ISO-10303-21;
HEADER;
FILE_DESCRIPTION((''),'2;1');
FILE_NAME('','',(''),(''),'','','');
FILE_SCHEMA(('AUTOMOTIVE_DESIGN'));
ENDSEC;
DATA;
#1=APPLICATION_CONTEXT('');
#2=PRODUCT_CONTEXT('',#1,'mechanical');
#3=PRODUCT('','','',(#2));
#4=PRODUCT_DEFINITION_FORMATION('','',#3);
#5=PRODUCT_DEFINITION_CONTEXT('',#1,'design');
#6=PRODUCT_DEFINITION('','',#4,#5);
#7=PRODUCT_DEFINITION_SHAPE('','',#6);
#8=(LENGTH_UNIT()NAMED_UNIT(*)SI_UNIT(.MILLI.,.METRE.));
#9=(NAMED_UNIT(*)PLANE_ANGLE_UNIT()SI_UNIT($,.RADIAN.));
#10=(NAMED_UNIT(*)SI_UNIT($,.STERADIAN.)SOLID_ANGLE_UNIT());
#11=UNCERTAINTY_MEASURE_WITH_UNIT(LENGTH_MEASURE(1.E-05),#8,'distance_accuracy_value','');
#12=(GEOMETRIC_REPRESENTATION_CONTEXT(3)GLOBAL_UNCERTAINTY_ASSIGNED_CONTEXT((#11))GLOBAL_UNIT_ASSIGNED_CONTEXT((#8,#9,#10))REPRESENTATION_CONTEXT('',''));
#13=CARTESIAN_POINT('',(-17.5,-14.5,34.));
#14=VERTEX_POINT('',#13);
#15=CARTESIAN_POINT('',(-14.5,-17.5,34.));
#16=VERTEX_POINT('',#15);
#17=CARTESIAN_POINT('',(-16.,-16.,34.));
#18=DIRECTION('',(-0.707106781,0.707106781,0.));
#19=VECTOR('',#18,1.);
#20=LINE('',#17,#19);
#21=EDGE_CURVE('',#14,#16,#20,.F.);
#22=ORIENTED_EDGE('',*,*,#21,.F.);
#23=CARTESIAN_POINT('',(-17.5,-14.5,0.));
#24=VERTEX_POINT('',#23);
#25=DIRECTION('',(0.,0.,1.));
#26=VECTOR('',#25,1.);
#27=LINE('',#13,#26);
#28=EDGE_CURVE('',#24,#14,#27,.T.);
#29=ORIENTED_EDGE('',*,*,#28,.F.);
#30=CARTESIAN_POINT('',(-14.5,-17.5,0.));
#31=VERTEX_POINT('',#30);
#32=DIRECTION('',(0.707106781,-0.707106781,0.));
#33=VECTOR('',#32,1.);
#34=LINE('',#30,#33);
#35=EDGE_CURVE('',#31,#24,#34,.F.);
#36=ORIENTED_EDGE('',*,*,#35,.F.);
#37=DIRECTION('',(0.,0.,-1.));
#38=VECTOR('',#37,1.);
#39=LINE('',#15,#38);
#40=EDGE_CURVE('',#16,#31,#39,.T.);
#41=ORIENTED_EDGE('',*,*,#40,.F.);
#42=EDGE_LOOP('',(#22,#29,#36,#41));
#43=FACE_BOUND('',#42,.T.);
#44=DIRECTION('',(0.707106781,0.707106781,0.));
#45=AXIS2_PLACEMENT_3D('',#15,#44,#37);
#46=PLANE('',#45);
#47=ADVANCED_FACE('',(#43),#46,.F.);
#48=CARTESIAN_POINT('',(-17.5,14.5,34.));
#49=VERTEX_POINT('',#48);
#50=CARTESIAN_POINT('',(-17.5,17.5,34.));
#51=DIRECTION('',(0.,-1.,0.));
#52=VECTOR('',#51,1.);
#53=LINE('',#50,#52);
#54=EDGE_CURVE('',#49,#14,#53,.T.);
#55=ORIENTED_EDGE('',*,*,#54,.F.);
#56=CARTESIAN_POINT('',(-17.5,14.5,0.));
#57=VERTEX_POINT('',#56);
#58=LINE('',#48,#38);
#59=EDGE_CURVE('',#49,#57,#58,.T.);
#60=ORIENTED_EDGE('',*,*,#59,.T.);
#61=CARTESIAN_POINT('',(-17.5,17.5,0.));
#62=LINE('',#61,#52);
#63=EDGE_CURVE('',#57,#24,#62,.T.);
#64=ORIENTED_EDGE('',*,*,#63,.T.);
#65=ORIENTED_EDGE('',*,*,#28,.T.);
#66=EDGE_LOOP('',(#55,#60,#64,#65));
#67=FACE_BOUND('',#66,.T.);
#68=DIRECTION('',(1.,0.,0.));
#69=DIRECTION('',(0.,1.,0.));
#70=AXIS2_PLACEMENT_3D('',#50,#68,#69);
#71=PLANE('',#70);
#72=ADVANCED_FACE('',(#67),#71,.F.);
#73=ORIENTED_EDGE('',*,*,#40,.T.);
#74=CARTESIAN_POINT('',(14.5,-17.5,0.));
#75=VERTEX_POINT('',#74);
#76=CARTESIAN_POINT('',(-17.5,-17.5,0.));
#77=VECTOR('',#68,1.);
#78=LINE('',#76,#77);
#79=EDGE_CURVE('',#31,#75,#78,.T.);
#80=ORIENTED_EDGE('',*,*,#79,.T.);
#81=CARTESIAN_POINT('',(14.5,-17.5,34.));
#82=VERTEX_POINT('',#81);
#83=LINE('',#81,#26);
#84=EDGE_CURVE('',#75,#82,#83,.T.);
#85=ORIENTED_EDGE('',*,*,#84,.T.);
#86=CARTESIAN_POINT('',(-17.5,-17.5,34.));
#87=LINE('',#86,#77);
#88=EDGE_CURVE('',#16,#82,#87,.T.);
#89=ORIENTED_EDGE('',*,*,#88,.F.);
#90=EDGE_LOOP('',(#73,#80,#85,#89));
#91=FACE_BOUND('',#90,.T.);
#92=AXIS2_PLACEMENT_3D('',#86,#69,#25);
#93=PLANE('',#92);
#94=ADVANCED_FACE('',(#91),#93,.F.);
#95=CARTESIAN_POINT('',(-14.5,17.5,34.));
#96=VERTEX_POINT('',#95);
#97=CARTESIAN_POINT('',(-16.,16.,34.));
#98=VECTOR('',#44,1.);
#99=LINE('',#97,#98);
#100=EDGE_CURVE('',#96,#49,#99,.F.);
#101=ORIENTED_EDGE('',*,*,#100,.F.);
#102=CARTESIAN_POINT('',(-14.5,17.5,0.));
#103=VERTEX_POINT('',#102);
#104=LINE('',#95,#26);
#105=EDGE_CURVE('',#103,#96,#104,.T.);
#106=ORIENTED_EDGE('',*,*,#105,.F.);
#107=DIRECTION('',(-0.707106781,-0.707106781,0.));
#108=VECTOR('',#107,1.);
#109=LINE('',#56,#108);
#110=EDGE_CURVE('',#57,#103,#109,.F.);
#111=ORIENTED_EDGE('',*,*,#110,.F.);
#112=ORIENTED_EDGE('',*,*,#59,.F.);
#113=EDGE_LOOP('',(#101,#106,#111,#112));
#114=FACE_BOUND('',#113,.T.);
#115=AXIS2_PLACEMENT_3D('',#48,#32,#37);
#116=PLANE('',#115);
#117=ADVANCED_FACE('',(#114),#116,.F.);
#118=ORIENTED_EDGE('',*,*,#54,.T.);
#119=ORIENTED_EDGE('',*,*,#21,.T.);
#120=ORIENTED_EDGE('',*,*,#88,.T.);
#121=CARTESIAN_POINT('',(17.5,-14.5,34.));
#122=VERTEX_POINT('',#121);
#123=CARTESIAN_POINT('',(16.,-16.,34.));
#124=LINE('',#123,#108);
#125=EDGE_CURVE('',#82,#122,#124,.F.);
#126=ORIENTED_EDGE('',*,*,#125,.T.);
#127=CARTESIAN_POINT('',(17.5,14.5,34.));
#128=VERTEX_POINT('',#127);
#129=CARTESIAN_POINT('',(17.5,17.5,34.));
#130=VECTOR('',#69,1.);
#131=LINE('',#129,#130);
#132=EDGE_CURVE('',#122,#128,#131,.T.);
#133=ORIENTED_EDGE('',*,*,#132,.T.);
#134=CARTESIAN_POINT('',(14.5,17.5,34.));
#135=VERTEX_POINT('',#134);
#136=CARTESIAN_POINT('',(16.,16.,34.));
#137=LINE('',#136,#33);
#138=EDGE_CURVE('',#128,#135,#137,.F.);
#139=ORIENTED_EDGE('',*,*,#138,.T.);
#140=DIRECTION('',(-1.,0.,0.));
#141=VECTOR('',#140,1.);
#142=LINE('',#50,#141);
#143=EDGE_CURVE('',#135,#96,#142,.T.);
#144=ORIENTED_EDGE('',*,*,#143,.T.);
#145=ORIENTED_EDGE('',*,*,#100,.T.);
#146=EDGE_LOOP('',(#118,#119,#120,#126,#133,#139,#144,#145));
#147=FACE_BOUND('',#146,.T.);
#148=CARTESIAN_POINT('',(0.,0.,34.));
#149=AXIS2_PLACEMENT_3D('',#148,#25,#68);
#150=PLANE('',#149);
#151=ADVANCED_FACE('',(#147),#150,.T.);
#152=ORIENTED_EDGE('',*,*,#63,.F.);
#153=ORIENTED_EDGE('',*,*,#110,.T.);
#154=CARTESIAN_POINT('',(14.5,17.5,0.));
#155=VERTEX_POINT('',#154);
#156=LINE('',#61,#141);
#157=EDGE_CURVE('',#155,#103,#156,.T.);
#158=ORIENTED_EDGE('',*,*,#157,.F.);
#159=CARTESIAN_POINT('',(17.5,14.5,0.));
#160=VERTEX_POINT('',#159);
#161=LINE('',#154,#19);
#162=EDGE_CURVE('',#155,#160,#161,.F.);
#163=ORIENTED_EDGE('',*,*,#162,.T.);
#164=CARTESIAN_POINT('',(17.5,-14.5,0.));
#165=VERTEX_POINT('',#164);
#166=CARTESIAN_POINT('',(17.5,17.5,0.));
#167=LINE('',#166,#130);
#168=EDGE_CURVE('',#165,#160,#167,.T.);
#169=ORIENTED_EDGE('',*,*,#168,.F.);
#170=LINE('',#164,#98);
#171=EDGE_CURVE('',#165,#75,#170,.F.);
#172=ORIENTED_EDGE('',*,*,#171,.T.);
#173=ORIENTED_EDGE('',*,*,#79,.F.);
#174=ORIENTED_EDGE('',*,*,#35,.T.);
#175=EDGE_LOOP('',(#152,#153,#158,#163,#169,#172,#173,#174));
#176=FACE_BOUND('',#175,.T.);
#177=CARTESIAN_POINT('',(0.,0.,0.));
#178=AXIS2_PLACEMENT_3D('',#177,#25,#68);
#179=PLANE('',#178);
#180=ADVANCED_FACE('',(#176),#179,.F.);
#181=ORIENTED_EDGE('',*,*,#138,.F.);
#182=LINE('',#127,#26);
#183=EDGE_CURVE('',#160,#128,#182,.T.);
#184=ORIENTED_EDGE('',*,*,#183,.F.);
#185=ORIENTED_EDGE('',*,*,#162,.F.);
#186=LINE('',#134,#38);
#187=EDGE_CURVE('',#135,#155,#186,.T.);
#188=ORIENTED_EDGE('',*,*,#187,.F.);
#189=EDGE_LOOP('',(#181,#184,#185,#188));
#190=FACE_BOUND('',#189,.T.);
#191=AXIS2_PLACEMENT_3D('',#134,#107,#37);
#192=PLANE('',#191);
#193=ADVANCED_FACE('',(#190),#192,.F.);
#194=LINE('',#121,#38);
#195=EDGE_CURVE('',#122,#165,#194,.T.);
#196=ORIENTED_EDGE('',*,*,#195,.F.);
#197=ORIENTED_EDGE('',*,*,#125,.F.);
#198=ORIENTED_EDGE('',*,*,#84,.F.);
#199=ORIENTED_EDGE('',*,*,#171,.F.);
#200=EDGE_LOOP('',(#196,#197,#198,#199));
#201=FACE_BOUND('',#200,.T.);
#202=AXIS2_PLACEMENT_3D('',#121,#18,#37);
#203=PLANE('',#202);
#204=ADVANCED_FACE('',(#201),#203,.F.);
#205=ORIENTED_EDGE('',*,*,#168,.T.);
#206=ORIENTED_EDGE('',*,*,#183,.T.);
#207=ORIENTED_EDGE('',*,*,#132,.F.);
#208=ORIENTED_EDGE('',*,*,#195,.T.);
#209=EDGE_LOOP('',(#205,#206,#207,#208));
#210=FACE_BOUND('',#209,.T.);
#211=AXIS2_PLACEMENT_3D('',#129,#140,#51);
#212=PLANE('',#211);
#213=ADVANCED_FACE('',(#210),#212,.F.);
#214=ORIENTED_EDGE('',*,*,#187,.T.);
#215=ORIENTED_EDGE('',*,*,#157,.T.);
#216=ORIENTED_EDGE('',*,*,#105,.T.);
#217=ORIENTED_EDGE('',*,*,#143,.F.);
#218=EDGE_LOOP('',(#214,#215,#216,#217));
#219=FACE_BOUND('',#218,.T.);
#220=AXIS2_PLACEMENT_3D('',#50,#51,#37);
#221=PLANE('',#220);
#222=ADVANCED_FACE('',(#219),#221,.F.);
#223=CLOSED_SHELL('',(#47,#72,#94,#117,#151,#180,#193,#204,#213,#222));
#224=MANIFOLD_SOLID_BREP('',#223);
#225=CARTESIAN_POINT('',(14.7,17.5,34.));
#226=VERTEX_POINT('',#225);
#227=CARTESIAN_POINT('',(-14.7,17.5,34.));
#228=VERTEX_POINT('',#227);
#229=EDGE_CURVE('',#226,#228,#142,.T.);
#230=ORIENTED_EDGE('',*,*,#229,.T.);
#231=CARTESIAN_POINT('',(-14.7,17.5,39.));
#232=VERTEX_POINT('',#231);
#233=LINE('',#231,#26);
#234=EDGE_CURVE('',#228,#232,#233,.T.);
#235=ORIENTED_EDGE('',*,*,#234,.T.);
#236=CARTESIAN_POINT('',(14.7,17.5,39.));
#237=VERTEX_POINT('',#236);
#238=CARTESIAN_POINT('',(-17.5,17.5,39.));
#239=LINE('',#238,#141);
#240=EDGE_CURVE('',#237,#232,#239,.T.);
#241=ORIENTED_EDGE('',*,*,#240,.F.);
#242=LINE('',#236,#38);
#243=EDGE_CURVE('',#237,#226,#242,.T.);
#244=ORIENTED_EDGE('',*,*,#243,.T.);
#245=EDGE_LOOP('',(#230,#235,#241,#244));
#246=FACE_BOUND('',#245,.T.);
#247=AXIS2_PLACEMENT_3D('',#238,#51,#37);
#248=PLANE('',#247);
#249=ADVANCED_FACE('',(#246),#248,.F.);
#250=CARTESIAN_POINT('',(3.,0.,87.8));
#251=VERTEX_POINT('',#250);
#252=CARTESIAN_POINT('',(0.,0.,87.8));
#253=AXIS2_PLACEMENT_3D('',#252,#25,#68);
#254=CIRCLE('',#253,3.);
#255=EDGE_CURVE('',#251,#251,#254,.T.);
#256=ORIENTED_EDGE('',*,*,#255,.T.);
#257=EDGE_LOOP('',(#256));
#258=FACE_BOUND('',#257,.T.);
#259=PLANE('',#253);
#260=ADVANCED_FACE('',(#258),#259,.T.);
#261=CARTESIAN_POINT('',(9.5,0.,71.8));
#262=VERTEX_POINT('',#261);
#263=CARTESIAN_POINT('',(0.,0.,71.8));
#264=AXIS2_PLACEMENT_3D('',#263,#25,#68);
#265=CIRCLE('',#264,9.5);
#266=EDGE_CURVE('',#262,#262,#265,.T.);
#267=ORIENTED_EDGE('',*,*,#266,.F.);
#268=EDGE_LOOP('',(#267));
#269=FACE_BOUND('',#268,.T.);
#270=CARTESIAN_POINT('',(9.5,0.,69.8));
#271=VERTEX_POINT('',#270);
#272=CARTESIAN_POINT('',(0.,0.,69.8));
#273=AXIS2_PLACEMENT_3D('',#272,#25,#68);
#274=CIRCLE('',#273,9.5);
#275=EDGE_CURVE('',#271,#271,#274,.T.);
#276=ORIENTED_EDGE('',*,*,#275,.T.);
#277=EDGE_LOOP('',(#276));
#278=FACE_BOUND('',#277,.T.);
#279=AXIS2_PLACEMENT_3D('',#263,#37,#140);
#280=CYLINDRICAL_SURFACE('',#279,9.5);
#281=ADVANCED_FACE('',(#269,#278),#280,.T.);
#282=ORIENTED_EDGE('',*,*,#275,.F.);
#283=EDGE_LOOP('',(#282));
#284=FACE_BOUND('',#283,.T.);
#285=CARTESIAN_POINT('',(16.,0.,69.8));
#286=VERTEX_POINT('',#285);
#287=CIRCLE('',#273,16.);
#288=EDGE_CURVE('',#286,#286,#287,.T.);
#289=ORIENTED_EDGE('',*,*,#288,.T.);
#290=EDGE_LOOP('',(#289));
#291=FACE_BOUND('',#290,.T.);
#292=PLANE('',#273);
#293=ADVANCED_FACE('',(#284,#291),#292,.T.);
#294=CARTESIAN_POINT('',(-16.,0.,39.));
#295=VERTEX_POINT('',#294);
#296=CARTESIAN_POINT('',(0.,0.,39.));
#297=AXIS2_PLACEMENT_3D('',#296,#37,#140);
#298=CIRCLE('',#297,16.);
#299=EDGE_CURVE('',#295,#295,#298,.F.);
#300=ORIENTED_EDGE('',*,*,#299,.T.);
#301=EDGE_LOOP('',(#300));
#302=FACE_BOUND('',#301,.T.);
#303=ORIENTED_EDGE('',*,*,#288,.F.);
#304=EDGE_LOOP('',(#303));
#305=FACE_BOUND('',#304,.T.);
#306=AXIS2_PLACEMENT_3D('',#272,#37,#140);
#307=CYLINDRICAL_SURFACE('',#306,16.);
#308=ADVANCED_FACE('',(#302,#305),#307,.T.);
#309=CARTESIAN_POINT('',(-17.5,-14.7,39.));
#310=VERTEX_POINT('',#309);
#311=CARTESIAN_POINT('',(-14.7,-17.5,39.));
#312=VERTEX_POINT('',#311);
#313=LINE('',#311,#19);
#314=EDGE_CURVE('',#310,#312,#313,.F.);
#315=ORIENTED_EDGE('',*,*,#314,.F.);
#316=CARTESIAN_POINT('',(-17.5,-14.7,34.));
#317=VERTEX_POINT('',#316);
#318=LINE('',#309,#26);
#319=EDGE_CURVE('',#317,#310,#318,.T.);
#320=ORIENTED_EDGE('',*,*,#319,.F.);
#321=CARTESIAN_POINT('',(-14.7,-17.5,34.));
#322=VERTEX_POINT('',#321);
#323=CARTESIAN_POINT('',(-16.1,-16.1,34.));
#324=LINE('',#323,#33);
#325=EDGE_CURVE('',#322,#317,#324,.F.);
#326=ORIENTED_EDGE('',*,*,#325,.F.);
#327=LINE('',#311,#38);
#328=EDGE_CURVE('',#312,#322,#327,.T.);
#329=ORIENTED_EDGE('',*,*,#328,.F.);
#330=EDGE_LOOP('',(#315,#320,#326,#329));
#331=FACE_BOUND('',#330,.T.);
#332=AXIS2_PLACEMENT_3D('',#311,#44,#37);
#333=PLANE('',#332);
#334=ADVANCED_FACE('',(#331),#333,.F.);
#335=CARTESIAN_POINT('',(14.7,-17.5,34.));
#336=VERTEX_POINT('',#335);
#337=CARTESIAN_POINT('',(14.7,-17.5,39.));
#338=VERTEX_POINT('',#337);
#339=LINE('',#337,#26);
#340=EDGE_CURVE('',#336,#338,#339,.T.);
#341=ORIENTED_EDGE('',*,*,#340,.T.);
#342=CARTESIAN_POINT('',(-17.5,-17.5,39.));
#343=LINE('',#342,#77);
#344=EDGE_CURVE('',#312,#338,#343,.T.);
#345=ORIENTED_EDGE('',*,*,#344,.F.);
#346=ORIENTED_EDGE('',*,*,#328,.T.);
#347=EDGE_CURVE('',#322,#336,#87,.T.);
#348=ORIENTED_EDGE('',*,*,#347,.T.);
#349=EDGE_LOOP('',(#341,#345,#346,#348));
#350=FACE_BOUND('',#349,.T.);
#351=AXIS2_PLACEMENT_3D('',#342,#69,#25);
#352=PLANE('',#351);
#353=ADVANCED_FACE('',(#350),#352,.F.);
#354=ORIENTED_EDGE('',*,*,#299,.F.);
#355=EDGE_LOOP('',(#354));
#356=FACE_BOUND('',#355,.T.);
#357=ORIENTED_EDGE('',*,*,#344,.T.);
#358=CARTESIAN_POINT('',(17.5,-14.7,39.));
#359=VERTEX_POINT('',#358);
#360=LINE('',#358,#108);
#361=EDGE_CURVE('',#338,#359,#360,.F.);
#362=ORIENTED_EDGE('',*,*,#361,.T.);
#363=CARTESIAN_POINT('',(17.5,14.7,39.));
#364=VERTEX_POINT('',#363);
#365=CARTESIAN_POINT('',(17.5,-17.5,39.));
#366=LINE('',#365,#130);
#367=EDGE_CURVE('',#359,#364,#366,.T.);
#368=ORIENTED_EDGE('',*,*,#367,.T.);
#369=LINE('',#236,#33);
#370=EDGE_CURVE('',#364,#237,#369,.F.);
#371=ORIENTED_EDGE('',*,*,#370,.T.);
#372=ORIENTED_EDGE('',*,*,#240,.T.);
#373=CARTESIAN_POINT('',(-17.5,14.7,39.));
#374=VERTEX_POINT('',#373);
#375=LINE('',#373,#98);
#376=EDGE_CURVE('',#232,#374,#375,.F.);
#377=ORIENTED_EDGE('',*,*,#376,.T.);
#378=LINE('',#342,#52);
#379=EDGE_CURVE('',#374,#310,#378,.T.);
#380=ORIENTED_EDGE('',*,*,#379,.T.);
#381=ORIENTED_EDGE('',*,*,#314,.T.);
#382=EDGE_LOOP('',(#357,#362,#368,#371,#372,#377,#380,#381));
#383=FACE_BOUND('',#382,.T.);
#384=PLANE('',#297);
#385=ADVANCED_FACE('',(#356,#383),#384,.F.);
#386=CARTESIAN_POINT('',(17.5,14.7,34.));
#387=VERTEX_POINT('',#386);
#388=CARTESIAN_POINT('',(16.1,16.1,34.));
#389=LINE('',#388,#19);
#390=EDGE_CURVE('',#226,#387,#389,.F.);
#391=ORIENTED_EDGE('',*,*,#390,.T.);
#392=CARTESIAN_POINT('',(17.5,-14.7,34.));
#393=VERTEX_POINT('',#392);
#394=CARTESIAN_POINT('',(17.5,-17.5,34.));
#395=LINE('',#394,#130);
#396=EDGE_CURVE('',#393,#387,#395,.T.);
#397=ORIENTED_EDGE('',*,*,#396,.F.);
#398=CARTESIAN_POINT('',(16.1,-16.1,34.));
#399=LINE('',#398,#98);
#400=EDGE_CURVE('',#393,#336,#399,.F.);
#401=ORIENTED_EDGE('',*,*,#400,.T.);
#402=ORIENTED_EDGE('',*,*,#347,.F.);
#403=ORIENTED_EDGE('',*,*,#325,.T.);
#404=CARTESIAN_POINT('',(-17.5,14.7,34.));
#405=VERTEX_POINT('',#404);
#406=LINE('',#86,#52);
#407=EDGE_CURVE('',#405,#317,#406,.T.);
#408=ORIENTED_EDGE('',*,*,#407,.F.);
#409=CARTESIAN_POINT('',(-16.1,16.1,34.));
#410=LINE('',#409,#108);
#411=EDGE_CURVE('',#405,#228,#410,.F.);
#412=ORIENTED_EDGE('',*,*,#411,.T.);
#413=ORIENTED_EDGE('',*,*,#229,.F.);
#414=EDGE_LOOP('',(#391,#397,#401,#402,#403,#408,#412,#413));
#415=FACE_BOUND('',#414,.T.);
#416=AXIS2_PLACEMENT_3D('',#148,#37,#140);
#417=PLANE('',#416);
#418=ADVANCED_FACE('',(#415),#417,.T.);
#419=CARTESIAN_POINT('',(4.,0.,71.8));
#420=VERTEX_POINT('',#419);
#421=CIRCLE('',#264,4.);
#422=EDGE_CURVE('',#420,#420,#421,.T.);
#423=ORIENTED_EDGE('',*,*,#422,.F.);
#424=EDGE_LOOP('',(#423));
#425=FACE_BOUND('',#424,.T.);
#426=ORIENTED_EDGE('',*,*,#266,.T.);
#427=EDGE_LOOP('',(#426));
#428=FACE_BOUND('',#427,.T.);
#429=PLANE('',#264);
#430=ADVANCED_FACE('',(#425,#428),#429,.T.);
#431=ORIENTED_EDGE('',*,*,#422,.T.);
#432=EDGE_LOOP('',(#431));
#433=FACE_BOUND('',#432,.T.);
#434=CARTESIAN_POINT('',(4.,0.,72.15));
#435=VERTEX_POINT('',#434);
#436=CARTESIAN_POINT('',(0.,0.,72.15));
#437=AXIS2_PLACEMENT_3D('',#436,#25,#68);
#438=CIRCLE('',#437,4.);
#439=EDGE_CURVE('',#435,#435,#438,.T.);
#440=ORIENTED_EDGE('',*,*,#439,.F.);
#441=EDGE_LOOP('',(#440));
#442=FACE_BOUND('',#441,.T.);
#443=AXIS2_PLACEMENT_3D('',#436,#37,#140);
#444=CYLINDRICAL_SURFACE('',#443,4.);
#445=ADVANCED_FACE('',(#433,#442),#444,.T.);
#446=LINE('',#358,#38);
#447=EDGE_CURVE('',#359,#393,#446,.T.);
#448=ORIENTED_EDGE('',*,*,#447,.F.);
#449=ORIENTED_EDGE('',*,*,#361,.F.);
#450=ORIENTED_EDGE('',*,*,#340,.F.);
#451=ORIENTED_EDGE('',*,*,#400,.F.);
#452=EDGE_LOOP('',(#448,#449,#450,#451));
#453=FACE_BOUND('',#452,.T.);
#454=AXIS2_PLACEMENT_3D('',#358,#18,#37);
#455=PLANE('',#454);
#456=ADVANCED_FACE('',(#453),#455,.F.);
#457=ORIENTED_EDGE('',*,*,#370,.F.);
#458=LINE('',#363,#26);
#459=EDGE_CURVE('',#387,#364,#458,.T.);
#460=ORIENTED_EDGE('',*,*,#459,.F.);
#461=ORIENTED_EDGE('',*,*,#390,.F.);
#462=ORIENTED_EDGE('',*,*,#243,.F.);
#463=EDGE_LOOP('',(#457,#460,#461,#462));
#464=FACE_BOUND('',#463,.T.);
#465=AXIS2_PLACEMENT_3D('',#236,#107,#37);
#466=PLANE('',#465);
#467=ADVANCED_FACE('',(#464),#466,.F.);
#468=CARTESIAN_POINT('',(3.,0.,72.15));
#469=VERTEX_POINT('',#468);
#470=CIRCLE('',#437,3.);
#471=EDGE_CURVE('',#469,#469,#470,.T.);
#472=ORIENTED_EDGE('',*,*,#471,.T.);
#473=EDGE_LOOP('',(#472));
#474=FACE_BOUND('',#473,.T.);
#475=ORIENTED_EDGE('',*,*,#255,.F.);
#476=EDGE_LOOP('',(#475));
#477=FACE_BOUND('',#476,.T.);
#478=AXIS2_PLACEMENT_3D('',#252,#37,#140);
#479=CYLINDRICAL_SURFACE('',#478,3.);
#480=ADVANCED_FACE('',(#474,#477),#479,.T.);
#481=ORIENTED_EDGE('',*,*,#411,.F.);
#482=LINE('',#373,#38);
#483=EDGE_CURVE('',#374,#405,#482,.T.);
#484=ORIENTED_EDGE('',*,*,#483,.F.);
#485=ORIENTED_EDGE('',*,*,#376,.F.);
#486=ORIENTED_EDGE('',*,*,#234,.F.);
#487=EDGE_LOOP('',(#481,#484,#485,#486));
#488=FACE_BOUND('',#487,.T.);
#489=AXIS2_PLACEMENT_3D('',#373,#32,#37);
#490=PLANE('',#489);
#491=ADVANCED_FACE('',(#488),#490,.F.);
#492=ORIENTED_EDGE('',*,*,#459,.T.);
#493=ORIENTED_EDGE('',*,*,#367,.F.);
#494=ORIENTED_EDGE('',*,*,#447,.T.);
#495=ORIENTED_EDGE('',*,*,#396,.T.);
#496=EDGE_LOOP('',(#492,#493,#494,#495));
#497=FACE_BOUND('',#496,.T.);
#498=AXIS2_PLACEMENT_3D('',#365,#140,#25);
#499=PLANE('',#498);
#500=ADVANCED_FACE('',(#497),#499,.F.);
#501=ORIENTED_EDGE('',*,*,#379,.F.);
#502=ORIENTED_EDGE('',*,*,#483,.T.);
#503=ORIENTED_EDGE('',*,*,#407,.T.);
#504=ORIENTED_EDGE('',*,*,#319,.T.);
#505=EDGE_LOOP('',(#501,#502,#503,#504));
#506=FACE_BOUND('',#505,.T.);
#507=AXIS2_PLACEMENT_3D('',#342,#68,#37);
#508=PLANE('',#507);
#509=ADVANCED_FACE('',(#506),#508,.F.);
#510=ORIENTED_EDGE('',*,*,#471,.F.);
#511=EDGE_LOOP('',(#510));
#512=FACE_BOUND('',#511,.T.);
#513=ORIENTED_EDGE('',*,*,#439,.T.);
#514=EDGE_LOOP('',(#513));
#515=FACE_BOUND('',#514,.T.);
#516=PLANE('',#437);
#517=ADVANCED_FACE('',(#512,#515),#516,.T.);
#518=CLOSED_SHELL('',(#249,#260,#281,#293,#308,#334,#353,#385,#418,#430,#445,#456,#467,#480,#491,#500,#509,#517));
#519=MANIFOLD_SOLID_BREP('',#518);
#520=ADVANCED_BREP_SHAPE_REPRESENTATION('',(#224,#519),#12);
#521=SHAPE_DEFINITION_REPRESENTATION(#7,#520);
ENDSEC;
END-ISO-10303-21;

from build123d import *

# Parameters (mm, degrees)
SKETCH1_W           = 35
SKETCH1_H           = 35
BOSS_EXTRUDE1_DEPTH = 34
CHAMFER1_SIZE       = 3
SKETCH2_W           = 35
SKETCH2_H           = 35
BOSS_EXTRUDE2_DEPTH = 5
CHAMFER2_SIZE       = 2.8
SKETCH3_R           = 16
BOSS_EXTRUDE3_DEPTH = 30.8
SKETCH4_R           = 9.5
BOSS_EXTRUDE4_DEPTH = 2
SKETCH6_R           = 3
BOSS_EXTRUDE5_DEPTH = 18
SKETCH7_R           = 4
BOSS_EXTRUDE6_DEPTH = 0.35


with BuildPart() as part:
    # Sketch1 → Boss-Extrude1 (new body)
    with BuildSketch(Plane.XY):
        Rectangle(SKETCH1_W, SKETCH1_H)
    extrude(amount=BOSS_EXTRUDE1_DEPTH)

    # Chamfer1
    chamfer1_edges = [part.edges().sort_by_distance(p)[0] for p in [
        (17.5, -17.5, 17),
        (-17.5, -17.5, 17),
        (-17.5, 17.5, 17),
        (17.5, 17.5, 17),
    ]]
    chamfer(chamfer1_edges, length=CHAMFER1_SIZE)


with BuildPart() as body_2:
    # Sketch2 → Boss-Extrude2 (new body)
    with BuildSketch(Plane.XY.offset(34)):
        Rectangle(SKETCH2_W, SKETCH2_H)
    extrude(amount=BOSS_EXTRUDE2_DEPTH)

    # Chamfer2
    chamfer2_edges = [body_2.edges().sort_by_distance(p)[0] for p in [
        (17.5, -17.5, 36.5),
        (-17.5, -17.5, 36.5),
        (-17.5, 17.5, 36.5),
        (17.5, 17.5, 36.5),
    ]]
    chamfer(chamfer2_edges, length=CHAMFER2_SIZE)

    # Sketch3 → Boss-Extrude3 (add)
    with BuildSketch(Plane.XY.offset(39)):
        Circle(SKETCH3_R)
    extrude(amount=BOSS_EXTRUDE3_DEPTH)

    # Sketch4 → Boss-Extrude4 (add)
    with BuildSketch(Plane.XY.offset(69.8)):
        Circle(SKETCH4_R)
    extrude(amount=BOSS_EXTRUDE4_DEPTH)

    # Sketch6 → Boss-Extrude5 (add)
    with BuildSketch(Plane.XY.offset(69.8)):
        Circle(SKETCH6_R)
    extrude(amount=BOSS_EXTRUDE5_DEPTH)

    # Sketch7 → Boss-Extrude6 (add)
    with BuildSketch(Plane.XY.offset(71.8)):
        Circle(SKETCH7_R)
    extrude(amount=BOSS_EXTRUDE6_DEPTH)


solid = Compound([part.part, body_2.part])
